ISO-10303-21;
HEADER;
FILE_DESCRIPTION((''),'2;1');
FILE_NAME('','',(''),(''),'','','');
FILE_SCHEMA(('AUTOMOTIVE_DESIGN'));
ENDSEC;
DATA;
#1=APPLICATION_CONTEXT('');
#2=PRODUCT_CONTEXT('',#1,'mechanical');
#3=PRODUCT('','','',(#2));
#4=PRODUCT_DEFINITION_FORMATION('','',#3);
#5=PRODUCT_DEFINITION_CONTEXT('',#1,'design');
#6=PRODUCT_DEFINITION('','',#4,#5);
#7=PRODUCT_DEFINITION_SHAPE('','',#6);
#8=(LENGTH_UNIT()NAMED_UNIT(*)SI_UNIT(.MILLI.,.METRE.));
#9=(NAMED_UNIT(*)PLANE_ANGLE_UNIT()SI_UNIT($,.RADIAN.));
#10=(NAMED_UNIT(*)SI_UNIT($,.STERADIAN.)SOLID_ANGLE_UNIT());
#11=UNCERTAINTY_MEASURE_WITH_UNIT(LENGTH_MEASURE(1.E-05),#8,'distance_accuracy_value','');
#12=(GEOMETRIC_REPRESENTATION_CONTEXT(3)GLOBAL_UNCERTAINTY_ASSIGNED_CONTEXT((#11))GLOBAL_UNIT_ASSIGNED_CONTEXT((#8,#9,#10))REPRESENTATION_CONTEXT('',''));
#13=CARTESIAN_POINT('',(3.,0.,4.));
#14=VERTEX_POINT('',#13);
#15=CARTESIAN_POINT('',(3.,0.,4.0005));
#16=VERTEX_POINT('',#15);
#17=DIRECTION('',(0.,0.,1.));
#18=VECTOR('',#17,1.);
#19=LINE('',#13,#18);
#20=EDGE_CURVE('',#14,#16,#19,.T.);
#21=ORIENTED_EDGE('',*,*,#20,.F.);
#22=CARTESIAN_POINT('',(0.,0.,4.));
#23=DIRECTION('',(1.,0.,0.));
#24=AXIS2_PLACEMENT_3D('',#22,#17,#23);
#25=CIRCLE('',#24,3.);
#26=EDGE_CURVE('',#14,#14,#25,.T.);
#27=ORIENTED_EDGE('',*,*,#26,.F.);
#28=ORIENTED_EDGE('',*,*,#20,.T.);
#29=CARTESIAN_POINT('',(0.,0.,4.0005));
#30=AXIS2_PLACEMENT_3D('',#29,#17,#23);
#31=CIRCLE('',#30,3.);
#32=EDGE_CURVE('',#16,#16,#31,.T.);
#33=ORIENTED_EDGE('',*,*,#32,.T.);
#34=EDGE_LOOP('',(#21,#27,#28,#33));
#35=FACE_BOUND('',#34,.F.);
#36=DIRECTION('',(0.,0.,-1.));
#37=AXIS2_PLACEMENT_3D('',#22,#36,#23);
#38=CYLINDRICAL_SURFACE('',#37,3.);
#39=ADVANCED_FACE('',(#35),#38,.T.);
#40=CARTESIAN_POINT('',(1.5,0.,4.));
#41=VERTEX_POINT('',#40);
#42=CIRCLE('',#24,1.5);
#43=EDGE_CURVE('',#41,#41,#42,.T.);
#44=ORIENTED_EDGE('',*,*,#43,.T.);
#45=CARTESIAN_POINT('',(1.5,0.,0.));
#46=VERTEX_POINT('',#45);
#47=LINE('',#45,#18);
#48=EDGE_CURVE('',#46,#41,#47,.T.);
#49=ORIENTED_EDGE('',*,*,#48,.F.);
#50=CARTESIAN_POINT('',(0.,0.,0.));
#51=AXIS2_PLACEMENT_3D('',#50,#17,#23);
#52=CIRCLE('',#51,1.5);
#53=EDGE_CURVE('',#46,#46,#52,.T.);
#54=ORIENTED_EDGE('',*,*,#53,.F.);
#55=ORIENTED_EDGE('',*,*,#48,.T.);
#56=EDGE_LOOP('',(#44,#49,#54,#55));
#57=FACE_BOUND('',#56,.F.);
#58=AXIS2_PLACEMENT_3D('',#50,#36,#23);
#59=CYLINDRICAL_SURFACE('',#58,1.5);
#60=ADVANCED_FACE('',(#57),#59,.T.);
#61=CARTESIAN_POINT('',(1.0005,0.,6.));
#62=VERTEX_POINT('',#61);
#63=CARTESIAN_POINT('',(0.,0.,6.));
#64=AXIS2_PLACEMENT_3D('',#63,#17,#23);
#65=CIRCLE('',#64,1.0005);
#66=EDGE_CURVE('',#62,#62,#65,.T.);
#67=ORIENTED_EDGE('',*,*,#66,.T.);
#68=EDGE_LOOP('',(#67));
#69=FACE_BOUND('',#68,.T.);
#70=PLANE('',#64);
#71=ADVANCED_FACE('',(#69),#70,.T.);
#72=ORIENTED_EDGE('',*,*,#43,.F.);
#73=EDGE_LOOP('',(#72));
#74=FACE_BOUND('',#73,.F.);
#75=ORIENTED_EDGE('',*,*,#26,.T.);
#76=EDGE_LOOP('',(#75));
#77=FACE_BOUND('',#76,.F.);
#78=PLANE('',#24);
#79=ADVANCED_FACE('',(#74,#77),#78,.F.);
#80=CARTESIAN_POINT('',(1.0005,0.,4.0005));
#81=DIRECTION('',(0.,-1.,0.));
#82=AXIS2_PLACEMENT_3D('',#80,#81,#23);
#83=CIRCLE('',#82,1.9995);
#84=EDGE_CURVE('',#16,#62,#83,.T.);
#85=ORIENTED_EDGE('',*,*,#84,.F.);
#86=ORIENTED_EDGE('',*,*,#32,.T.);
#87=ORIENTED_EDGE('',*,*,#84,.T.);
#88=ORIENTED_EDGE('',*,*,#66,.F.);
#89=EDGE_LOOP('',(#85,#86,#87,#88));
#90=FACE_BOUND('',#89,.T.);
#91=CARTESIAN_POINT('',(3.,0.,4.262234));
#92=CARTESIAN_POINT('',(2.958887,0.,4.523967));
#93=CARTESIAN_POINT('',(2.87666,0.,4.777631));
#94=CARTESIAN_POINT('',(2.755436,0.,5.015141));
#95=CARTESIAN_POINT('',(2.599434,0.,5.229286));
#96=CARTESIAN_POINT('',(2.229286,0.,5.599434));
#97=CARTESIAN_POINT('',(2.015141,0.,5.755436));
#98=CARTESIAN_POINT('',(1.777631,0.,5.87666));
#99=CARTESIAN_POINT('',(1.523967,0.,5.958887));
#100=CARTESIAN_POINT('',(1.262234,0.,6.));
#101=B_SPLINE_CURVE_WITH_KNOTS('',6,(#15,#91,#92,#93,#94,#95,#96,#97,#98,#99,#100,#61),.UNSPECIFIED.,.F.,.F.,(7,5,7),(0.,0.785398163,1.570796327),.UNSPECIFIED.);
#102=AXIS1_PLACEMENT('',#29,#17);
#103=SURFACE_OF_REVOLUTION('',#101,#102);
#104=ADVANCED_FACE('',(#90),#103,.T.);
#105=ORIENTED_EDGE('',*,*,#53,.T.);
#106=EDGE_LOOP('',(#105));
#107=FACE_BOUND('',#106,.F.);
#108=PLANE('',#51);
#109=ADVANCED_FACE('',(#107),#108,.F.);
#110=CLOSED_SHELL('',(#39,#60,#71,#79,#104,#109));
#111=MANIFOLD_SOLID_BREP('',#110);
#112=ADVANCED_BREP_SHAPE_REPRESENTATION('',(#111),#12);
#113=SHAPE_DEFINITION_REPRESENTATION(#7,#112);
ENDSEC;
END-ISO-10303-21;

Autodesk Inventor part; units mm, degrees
ref_plane "YZ Plane" through (0, 0, 0) normal (1, 0, 0) x (0, 1, 0)
ref_plane "XZ Plane" through (0, 0, 0) normal (0, 1, 0) x (-1, 0, 0)
ref_plane "XY Plane" through (0, 0, 0) normal (0, 0, 1) x (1, 0, 0)
sketch "スケッチ1" plane through (0, 0, 0) normal (0, 0, 1) x (1, 0, 0)
  circle A0 centre (0, 0) radius 1.5
  dimension "d0" = 3
extrude "押し出し1" add sketch "スケッチ1" along normal blind 4
sketch "スケッチ2" plane through (0, 0, 4) normal (0, 0, 1) x (1, 0, 0)
  circle A0 centre (0, 0) radius 1.5 projected
  circle A1 centre (0, 0) radius 3
  dimension "d3" = 6
extrude "押し出し2" add sketch "スケッチ2" along normal blind 2 contours A0 | A1
fillet "フィレット1" radius 2 1 edges at (-3, 0, 6)
properties part number "M3ボタンボルト4" material "鋼、高強度、低合金"
